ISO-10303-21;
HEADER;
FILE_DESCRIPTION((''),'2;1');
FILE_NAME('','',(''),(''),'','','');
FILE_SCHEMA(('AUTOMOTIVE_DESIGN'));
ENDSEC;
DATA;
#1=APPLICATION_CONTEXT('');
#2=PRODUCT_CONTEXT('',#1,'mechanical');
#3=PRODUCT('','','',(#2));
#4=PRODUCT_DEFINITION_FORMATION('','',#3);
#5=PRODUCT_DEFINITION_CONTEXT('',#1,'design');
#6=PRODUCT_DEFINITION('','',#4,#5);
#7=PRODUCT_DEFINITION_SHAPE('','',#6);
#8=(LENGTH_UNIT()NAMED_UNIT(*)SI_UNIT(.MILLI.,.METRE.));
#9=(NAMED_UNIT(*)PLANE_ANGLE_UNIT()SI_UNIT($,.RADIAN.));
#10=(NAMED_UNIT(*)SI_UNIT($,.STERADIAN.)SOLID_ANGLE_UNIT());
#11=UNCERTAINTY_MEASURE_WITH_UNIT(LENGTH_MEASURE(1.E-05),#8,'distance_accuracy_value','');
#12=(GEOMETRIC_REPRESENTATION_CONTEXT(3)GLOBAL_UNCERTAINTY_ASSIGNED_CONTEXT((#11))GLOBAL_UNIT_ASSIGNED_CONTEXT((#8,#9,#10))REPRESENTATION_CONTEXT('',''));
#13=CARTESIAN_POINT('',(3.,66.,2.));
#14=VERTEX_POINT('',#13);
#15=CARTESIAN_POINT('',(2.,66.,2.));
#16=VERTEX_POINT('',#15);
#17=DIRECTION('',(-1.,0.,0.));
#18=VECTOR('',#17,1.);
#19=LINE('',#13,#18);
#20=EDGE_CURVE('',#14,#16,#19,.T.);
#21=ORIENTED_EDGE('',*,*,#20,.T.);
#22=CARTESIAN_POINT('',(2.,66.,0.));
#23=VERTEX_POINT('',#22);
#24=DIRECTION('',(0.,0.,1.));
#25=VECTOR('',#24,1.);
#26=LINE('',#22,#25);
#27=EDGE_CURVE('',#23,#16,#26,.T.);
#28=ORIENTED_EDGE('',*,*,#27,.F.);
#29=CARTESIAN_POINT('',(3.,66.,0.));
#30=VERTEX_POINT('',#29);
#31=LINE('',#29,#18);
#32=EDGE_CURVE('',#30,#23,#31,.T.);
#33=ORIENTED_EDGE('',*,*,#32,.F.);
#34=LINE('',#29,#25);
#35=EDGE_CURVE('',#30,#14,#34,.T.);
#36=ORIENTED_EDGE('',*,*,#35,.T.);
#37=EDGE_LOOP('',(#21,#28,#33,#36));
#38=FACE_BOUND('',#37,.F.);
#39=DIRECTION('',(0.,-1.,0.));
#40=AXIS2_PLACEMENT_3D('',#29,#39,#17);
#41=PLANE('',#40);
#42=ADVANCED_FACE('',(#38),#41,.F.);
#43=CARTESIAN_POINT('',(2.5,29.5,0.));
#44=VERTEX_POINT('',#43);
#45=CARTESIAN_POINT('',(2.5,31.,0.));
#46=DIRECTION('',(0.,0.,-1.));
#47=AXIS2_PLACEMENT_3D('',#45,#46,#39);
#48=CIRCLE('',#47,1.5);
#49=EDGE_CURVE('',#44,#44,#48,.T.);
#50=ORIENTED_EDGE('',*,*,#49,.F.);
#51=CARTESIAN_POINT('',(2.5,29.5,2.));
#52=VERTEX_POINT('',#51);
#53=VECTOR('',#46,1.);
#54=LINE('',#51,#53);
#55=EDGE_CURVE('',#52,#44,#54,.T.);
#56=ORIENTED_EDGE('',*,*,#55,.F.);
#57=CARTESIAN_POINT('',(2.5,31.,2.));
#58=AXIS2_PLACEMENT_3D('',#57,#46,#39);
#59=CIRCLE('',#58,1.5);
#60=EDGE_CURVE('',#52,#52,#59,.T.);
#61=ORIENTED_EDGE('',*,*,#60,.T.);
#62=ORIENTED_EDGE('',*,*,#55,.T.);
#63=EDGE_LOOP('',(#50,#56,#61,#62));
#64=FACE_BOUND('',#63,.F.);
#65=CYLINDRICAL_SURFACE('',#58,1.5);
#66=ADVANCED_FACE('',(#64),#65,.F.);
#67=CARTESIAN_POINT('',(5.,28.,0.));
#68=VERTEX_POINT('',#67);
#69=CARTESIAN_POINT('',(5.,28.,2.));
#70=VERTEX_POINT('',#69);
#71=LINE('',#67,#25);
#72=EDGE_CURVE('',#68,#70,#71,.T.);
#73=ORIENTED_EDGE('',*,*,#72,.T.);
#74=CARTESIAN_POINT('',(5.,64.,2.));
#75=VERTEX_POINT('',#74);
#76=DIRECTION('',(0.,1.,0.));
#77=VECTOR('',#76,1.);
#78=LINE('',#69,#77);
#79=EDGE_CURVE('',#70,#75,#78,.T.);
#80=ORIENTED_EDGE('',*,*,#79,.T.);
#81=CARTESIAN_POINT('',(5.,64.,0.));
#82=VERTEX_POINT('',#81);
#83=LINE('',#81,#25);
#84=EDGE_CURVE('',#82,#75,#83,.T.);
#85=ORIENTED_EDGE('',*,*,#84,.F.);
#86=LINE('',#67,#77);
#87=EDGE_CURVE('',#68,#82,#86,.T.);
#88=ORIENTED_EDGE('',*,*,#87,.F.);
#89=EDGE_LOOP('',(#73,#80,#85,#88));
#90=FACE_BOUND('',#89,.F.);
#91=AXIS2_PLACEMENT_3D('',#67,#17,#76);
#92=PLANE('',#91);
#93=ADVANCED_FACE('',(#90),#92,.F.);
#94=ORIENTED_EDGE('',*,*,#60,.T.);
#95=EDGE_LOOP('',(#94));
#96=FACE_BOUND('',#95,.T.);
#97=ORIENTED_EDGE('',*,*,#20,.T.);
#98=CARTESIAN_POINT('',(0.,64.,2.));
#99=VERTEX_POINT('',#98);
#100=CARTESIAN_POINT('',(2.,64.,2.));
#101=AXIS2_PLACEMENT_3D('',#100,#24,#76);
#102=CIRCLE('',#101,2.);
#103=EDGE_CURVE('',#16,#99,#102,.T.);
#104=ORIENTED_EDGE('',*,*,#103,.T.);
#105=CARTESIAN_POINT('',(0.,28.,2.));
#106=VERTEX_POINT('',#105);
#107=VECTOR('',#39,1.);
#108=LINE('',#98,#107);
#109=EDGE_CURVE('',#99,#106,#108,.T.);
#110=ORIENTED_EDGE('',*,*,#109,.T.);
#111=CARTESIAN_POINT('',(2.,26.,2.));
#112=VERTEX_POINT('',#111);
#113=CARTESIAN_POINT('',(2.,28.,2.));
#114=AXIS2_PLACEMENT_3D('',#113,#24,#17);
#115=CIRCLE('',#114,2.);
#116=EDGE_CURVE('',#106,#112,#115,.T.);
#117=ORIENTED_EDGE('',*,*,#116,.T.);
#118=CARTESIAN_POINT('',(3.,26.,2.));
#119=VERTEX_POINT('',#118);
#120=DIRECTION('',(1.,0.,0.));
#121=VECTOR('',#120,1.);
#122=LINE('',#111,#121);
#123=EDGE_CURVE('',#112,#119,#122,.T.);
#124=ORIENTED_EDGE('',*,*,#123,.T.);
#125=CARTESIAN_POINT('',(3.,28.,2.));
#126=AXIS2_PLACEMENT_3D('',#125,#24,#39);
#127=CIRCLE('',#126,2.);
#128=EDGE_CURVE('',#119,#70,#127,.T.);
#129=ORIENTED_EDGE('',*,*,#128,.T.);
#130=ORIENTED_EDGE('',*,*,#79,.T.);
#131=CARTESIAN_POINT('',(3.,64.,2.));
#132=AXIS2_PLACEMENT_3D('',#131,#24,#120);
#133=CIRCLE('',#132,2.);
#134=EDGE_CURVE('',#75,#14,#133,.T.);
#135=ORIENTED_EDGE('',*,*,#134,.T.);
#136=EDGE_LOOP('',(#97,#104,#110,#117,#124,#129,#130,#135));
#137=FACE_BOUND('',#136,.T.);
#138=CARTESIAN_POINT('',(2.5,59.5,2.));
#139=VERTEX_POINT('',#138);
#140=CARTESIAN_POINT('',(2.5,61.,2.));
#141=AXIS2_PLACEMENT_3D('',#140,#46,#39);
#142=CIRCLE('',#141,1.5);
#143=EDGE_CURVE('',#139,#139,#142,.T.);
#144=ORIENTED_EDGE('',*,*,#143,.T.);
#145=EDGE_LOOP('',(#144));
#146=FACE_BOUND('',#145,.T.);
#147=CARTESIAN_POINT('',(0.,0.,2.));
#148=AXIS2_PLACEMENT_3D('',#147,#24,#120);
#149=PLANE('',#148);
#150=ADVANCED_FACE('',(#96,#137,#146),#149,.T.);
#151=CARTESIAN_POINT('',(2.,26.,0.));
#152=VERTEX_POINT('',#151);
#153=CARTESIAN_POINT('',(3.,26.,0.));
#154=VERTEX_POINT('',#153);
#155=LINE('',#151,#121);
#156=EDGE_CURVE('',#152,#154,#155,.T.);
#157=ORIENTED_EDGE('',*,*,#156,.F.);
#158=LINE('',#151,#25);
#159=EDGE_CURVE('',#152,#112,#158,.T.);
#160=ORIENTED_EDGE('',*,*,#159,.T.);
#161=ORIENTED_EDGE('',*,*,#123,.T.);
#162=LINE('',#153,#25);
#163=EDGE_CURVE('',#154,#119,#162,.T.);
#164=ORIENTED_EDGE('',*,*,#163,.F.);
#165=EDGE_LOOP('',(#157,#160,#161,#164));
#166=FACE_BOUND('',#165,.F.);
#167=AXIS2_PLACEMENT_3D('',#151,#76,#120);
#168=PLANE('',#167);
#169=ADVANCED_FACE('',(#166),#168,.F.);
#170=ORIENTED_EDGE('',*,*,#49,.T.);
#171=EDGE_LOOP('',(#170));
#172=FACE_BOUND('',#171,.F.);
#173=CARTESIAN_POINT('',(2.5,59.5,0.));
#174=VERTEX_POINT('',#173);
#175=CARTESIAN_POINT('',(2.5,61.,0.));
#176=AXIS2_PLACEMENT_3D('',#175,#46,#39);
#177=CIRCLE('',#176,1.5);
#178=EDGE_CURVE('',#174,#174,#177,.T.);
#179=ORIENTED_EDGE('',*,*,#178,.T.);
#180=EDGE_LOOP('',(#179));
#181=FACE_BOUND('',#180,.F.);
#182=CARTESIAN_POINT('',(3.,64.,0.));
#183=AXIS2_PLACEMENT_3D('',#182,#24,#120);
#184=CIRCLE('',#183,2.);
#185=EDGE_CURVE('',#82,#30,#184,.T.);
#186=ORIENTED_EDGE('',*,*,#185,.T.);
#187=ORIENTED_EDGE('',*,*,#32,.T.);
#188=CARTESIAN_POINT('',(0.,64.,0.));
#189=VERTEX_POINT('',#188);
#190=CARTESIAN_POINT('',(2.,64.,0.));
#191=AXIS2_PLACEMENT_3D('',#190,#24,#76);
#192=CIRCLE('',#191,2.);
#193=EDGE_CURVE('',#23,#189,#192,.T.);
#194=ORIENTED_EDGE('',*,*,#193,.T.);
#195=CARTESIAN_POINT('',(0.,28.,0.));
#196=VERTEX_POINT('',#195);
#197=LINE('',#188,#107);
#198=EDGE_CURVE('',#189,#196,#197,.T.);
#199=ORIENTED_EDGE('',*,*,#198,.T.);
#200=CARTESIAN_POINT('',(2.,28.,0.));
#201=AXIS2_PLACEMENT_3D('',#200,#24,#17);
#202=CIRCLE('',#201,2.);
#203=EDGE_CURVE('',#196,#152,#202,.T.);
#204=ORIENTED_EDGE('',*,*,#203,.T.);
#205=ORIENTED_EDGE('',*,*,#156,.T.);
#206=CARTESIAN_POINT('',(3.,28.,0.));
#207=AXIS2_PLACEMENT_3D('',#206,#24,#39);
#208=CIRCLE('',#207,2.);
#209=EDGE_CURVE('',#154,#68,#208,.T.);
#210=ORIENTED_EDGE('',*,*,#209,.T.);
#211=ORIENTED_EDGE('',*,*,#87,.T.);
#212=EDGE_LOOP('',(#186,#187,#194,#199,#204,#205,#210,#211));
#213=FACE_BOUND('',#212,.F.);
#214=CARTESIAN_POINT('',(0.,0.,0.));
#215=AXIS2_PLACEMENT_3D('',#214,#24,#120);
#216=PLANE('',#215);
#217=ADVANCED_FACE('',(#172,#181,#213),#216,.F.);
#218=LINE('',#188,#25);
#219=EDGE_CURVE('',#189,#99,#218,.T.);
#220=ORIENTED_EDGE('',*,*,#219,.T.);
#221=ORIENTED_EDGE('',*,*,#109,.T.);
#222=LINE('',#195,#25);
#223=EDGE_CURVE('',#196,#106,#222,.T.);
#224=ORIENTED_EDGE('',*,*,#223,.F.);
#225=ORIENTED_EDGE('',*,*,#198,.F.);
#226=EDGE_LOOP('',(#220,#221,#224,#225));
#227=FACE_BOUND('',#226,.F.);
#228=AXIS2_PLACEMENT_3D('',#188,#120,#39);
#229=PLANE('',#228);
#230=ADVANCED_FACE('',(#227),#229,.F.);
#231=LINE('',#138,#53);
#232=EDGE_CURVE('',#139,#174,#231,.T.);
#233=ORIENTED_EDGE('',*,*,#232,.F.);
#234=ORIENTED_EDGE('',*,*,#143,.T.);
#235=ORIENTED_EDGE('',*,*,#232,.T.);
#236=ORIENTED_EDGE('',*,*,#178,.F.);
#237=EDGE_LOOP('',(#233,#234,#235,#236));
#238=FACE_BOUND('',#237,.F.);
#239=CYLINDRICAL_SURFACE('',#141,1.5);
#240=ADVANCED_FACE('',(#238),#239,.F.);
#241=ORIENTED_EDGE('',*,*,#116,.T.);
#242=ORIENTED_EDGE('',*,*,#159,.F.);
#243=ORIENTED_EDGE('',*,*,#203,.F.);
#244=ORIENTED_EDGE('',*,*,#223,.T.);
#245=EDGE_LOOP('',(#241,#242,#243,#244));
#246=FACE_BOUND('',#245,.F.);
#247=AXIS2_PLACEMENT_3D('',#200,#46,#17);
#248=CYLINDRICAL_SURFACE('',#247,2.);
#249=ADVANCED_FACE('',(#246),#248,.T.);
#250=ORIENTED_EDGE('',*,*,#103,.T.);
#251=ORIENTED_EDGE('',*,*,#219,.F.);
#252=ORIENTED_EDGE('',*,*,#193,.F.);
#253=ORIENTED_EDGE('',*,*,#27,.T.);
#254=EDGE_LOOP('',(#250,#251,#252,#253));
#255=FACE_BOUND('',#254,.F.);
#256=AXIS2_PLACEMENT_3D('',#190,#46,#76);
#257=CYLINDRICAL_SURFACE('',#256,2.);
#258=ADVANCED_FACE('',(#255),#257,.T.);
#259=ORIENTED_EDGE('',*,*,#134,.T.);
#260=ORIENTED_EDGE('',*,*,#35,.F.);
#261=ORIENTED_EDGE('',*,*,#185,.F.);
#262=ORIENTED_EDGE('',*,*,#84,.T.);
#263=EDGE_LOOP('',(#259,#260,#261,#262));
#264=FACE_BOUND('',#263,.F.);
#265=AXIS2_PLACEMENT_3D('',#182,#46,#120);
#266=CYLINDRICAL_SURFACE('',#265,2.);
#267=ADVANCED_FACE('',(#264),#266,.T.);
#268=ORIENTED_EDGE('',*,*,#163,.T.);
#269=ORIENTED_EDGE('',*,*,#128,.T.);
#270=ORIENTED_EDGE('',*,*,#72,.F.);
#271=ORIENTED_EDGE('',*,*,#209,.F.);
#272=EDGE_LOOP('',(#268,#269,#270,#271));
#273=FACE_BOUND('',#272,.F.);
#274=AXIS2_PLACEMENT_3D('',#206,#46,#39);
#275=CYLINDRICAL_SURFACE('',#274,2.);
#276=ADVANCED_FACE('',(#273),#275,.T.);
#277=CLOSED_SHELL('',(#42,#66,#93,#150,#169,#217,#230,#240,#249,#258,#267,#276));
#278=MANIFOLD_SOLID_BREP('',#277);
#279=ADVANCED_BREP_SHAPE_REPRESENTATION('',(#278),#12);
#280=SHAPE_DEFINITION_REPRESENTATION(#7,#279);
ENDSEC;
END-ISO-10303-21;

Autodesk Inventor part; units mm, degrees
ref_plane "YZ Plane" through (0, 0, 0) normal (1, 0, 0) x (0, 1, 0)
ref_plane "XZ Plane" through (0, 0, 0) normal (0, 1, 0) x (-1, 0, 0)
ref_plane "XY Plane" through (0, 0, 0) normal (0, 0, 1) x (1, 0, 0)
sketch "Skizze1" plane through (0, 0, 0) normal (0, 0, 1) x (1, 0, 0)
  line L0 (2, 26) -> (3, 26)
  line L1 (5, 28) -> (5, 64)
  line L2 (3, 66) -> (2, 66)
  line L3 (0, 64) -> (0, 28)
  arc A0 (5, 64) -> (3, 66) centre (3, 64) ccw
  arc A1 (3, 26) -> (5, 28) centre (3, 28) ccw
  arc A2 (0, 28) -> (2, 26) centre (2, 28) ccw
  arc A3 (2, 66) -> (0, 64) centre (2, 64) ccw
  point P0 (0, 0)
  point P1 (0, 26)
  point P2 (5, 66)
  point P3 (5, 26)
  point P4 (0, 66)
  dimension "d0" = 5
  dimension "d1" = 40
  dimension "d2" = 2
extrude "Extrusion1" add sketch "Skizze1" along normal blind 2
hole "Bohrung1" at (2.5, 61, 2) direction (0, 0, -1) diameter 3 end through all
hole "Bohrung2" at (2.5, 31, 2) direction (0, 0, -1) diameter 3 end through all
properties part number "Halter_Verschraubung"
